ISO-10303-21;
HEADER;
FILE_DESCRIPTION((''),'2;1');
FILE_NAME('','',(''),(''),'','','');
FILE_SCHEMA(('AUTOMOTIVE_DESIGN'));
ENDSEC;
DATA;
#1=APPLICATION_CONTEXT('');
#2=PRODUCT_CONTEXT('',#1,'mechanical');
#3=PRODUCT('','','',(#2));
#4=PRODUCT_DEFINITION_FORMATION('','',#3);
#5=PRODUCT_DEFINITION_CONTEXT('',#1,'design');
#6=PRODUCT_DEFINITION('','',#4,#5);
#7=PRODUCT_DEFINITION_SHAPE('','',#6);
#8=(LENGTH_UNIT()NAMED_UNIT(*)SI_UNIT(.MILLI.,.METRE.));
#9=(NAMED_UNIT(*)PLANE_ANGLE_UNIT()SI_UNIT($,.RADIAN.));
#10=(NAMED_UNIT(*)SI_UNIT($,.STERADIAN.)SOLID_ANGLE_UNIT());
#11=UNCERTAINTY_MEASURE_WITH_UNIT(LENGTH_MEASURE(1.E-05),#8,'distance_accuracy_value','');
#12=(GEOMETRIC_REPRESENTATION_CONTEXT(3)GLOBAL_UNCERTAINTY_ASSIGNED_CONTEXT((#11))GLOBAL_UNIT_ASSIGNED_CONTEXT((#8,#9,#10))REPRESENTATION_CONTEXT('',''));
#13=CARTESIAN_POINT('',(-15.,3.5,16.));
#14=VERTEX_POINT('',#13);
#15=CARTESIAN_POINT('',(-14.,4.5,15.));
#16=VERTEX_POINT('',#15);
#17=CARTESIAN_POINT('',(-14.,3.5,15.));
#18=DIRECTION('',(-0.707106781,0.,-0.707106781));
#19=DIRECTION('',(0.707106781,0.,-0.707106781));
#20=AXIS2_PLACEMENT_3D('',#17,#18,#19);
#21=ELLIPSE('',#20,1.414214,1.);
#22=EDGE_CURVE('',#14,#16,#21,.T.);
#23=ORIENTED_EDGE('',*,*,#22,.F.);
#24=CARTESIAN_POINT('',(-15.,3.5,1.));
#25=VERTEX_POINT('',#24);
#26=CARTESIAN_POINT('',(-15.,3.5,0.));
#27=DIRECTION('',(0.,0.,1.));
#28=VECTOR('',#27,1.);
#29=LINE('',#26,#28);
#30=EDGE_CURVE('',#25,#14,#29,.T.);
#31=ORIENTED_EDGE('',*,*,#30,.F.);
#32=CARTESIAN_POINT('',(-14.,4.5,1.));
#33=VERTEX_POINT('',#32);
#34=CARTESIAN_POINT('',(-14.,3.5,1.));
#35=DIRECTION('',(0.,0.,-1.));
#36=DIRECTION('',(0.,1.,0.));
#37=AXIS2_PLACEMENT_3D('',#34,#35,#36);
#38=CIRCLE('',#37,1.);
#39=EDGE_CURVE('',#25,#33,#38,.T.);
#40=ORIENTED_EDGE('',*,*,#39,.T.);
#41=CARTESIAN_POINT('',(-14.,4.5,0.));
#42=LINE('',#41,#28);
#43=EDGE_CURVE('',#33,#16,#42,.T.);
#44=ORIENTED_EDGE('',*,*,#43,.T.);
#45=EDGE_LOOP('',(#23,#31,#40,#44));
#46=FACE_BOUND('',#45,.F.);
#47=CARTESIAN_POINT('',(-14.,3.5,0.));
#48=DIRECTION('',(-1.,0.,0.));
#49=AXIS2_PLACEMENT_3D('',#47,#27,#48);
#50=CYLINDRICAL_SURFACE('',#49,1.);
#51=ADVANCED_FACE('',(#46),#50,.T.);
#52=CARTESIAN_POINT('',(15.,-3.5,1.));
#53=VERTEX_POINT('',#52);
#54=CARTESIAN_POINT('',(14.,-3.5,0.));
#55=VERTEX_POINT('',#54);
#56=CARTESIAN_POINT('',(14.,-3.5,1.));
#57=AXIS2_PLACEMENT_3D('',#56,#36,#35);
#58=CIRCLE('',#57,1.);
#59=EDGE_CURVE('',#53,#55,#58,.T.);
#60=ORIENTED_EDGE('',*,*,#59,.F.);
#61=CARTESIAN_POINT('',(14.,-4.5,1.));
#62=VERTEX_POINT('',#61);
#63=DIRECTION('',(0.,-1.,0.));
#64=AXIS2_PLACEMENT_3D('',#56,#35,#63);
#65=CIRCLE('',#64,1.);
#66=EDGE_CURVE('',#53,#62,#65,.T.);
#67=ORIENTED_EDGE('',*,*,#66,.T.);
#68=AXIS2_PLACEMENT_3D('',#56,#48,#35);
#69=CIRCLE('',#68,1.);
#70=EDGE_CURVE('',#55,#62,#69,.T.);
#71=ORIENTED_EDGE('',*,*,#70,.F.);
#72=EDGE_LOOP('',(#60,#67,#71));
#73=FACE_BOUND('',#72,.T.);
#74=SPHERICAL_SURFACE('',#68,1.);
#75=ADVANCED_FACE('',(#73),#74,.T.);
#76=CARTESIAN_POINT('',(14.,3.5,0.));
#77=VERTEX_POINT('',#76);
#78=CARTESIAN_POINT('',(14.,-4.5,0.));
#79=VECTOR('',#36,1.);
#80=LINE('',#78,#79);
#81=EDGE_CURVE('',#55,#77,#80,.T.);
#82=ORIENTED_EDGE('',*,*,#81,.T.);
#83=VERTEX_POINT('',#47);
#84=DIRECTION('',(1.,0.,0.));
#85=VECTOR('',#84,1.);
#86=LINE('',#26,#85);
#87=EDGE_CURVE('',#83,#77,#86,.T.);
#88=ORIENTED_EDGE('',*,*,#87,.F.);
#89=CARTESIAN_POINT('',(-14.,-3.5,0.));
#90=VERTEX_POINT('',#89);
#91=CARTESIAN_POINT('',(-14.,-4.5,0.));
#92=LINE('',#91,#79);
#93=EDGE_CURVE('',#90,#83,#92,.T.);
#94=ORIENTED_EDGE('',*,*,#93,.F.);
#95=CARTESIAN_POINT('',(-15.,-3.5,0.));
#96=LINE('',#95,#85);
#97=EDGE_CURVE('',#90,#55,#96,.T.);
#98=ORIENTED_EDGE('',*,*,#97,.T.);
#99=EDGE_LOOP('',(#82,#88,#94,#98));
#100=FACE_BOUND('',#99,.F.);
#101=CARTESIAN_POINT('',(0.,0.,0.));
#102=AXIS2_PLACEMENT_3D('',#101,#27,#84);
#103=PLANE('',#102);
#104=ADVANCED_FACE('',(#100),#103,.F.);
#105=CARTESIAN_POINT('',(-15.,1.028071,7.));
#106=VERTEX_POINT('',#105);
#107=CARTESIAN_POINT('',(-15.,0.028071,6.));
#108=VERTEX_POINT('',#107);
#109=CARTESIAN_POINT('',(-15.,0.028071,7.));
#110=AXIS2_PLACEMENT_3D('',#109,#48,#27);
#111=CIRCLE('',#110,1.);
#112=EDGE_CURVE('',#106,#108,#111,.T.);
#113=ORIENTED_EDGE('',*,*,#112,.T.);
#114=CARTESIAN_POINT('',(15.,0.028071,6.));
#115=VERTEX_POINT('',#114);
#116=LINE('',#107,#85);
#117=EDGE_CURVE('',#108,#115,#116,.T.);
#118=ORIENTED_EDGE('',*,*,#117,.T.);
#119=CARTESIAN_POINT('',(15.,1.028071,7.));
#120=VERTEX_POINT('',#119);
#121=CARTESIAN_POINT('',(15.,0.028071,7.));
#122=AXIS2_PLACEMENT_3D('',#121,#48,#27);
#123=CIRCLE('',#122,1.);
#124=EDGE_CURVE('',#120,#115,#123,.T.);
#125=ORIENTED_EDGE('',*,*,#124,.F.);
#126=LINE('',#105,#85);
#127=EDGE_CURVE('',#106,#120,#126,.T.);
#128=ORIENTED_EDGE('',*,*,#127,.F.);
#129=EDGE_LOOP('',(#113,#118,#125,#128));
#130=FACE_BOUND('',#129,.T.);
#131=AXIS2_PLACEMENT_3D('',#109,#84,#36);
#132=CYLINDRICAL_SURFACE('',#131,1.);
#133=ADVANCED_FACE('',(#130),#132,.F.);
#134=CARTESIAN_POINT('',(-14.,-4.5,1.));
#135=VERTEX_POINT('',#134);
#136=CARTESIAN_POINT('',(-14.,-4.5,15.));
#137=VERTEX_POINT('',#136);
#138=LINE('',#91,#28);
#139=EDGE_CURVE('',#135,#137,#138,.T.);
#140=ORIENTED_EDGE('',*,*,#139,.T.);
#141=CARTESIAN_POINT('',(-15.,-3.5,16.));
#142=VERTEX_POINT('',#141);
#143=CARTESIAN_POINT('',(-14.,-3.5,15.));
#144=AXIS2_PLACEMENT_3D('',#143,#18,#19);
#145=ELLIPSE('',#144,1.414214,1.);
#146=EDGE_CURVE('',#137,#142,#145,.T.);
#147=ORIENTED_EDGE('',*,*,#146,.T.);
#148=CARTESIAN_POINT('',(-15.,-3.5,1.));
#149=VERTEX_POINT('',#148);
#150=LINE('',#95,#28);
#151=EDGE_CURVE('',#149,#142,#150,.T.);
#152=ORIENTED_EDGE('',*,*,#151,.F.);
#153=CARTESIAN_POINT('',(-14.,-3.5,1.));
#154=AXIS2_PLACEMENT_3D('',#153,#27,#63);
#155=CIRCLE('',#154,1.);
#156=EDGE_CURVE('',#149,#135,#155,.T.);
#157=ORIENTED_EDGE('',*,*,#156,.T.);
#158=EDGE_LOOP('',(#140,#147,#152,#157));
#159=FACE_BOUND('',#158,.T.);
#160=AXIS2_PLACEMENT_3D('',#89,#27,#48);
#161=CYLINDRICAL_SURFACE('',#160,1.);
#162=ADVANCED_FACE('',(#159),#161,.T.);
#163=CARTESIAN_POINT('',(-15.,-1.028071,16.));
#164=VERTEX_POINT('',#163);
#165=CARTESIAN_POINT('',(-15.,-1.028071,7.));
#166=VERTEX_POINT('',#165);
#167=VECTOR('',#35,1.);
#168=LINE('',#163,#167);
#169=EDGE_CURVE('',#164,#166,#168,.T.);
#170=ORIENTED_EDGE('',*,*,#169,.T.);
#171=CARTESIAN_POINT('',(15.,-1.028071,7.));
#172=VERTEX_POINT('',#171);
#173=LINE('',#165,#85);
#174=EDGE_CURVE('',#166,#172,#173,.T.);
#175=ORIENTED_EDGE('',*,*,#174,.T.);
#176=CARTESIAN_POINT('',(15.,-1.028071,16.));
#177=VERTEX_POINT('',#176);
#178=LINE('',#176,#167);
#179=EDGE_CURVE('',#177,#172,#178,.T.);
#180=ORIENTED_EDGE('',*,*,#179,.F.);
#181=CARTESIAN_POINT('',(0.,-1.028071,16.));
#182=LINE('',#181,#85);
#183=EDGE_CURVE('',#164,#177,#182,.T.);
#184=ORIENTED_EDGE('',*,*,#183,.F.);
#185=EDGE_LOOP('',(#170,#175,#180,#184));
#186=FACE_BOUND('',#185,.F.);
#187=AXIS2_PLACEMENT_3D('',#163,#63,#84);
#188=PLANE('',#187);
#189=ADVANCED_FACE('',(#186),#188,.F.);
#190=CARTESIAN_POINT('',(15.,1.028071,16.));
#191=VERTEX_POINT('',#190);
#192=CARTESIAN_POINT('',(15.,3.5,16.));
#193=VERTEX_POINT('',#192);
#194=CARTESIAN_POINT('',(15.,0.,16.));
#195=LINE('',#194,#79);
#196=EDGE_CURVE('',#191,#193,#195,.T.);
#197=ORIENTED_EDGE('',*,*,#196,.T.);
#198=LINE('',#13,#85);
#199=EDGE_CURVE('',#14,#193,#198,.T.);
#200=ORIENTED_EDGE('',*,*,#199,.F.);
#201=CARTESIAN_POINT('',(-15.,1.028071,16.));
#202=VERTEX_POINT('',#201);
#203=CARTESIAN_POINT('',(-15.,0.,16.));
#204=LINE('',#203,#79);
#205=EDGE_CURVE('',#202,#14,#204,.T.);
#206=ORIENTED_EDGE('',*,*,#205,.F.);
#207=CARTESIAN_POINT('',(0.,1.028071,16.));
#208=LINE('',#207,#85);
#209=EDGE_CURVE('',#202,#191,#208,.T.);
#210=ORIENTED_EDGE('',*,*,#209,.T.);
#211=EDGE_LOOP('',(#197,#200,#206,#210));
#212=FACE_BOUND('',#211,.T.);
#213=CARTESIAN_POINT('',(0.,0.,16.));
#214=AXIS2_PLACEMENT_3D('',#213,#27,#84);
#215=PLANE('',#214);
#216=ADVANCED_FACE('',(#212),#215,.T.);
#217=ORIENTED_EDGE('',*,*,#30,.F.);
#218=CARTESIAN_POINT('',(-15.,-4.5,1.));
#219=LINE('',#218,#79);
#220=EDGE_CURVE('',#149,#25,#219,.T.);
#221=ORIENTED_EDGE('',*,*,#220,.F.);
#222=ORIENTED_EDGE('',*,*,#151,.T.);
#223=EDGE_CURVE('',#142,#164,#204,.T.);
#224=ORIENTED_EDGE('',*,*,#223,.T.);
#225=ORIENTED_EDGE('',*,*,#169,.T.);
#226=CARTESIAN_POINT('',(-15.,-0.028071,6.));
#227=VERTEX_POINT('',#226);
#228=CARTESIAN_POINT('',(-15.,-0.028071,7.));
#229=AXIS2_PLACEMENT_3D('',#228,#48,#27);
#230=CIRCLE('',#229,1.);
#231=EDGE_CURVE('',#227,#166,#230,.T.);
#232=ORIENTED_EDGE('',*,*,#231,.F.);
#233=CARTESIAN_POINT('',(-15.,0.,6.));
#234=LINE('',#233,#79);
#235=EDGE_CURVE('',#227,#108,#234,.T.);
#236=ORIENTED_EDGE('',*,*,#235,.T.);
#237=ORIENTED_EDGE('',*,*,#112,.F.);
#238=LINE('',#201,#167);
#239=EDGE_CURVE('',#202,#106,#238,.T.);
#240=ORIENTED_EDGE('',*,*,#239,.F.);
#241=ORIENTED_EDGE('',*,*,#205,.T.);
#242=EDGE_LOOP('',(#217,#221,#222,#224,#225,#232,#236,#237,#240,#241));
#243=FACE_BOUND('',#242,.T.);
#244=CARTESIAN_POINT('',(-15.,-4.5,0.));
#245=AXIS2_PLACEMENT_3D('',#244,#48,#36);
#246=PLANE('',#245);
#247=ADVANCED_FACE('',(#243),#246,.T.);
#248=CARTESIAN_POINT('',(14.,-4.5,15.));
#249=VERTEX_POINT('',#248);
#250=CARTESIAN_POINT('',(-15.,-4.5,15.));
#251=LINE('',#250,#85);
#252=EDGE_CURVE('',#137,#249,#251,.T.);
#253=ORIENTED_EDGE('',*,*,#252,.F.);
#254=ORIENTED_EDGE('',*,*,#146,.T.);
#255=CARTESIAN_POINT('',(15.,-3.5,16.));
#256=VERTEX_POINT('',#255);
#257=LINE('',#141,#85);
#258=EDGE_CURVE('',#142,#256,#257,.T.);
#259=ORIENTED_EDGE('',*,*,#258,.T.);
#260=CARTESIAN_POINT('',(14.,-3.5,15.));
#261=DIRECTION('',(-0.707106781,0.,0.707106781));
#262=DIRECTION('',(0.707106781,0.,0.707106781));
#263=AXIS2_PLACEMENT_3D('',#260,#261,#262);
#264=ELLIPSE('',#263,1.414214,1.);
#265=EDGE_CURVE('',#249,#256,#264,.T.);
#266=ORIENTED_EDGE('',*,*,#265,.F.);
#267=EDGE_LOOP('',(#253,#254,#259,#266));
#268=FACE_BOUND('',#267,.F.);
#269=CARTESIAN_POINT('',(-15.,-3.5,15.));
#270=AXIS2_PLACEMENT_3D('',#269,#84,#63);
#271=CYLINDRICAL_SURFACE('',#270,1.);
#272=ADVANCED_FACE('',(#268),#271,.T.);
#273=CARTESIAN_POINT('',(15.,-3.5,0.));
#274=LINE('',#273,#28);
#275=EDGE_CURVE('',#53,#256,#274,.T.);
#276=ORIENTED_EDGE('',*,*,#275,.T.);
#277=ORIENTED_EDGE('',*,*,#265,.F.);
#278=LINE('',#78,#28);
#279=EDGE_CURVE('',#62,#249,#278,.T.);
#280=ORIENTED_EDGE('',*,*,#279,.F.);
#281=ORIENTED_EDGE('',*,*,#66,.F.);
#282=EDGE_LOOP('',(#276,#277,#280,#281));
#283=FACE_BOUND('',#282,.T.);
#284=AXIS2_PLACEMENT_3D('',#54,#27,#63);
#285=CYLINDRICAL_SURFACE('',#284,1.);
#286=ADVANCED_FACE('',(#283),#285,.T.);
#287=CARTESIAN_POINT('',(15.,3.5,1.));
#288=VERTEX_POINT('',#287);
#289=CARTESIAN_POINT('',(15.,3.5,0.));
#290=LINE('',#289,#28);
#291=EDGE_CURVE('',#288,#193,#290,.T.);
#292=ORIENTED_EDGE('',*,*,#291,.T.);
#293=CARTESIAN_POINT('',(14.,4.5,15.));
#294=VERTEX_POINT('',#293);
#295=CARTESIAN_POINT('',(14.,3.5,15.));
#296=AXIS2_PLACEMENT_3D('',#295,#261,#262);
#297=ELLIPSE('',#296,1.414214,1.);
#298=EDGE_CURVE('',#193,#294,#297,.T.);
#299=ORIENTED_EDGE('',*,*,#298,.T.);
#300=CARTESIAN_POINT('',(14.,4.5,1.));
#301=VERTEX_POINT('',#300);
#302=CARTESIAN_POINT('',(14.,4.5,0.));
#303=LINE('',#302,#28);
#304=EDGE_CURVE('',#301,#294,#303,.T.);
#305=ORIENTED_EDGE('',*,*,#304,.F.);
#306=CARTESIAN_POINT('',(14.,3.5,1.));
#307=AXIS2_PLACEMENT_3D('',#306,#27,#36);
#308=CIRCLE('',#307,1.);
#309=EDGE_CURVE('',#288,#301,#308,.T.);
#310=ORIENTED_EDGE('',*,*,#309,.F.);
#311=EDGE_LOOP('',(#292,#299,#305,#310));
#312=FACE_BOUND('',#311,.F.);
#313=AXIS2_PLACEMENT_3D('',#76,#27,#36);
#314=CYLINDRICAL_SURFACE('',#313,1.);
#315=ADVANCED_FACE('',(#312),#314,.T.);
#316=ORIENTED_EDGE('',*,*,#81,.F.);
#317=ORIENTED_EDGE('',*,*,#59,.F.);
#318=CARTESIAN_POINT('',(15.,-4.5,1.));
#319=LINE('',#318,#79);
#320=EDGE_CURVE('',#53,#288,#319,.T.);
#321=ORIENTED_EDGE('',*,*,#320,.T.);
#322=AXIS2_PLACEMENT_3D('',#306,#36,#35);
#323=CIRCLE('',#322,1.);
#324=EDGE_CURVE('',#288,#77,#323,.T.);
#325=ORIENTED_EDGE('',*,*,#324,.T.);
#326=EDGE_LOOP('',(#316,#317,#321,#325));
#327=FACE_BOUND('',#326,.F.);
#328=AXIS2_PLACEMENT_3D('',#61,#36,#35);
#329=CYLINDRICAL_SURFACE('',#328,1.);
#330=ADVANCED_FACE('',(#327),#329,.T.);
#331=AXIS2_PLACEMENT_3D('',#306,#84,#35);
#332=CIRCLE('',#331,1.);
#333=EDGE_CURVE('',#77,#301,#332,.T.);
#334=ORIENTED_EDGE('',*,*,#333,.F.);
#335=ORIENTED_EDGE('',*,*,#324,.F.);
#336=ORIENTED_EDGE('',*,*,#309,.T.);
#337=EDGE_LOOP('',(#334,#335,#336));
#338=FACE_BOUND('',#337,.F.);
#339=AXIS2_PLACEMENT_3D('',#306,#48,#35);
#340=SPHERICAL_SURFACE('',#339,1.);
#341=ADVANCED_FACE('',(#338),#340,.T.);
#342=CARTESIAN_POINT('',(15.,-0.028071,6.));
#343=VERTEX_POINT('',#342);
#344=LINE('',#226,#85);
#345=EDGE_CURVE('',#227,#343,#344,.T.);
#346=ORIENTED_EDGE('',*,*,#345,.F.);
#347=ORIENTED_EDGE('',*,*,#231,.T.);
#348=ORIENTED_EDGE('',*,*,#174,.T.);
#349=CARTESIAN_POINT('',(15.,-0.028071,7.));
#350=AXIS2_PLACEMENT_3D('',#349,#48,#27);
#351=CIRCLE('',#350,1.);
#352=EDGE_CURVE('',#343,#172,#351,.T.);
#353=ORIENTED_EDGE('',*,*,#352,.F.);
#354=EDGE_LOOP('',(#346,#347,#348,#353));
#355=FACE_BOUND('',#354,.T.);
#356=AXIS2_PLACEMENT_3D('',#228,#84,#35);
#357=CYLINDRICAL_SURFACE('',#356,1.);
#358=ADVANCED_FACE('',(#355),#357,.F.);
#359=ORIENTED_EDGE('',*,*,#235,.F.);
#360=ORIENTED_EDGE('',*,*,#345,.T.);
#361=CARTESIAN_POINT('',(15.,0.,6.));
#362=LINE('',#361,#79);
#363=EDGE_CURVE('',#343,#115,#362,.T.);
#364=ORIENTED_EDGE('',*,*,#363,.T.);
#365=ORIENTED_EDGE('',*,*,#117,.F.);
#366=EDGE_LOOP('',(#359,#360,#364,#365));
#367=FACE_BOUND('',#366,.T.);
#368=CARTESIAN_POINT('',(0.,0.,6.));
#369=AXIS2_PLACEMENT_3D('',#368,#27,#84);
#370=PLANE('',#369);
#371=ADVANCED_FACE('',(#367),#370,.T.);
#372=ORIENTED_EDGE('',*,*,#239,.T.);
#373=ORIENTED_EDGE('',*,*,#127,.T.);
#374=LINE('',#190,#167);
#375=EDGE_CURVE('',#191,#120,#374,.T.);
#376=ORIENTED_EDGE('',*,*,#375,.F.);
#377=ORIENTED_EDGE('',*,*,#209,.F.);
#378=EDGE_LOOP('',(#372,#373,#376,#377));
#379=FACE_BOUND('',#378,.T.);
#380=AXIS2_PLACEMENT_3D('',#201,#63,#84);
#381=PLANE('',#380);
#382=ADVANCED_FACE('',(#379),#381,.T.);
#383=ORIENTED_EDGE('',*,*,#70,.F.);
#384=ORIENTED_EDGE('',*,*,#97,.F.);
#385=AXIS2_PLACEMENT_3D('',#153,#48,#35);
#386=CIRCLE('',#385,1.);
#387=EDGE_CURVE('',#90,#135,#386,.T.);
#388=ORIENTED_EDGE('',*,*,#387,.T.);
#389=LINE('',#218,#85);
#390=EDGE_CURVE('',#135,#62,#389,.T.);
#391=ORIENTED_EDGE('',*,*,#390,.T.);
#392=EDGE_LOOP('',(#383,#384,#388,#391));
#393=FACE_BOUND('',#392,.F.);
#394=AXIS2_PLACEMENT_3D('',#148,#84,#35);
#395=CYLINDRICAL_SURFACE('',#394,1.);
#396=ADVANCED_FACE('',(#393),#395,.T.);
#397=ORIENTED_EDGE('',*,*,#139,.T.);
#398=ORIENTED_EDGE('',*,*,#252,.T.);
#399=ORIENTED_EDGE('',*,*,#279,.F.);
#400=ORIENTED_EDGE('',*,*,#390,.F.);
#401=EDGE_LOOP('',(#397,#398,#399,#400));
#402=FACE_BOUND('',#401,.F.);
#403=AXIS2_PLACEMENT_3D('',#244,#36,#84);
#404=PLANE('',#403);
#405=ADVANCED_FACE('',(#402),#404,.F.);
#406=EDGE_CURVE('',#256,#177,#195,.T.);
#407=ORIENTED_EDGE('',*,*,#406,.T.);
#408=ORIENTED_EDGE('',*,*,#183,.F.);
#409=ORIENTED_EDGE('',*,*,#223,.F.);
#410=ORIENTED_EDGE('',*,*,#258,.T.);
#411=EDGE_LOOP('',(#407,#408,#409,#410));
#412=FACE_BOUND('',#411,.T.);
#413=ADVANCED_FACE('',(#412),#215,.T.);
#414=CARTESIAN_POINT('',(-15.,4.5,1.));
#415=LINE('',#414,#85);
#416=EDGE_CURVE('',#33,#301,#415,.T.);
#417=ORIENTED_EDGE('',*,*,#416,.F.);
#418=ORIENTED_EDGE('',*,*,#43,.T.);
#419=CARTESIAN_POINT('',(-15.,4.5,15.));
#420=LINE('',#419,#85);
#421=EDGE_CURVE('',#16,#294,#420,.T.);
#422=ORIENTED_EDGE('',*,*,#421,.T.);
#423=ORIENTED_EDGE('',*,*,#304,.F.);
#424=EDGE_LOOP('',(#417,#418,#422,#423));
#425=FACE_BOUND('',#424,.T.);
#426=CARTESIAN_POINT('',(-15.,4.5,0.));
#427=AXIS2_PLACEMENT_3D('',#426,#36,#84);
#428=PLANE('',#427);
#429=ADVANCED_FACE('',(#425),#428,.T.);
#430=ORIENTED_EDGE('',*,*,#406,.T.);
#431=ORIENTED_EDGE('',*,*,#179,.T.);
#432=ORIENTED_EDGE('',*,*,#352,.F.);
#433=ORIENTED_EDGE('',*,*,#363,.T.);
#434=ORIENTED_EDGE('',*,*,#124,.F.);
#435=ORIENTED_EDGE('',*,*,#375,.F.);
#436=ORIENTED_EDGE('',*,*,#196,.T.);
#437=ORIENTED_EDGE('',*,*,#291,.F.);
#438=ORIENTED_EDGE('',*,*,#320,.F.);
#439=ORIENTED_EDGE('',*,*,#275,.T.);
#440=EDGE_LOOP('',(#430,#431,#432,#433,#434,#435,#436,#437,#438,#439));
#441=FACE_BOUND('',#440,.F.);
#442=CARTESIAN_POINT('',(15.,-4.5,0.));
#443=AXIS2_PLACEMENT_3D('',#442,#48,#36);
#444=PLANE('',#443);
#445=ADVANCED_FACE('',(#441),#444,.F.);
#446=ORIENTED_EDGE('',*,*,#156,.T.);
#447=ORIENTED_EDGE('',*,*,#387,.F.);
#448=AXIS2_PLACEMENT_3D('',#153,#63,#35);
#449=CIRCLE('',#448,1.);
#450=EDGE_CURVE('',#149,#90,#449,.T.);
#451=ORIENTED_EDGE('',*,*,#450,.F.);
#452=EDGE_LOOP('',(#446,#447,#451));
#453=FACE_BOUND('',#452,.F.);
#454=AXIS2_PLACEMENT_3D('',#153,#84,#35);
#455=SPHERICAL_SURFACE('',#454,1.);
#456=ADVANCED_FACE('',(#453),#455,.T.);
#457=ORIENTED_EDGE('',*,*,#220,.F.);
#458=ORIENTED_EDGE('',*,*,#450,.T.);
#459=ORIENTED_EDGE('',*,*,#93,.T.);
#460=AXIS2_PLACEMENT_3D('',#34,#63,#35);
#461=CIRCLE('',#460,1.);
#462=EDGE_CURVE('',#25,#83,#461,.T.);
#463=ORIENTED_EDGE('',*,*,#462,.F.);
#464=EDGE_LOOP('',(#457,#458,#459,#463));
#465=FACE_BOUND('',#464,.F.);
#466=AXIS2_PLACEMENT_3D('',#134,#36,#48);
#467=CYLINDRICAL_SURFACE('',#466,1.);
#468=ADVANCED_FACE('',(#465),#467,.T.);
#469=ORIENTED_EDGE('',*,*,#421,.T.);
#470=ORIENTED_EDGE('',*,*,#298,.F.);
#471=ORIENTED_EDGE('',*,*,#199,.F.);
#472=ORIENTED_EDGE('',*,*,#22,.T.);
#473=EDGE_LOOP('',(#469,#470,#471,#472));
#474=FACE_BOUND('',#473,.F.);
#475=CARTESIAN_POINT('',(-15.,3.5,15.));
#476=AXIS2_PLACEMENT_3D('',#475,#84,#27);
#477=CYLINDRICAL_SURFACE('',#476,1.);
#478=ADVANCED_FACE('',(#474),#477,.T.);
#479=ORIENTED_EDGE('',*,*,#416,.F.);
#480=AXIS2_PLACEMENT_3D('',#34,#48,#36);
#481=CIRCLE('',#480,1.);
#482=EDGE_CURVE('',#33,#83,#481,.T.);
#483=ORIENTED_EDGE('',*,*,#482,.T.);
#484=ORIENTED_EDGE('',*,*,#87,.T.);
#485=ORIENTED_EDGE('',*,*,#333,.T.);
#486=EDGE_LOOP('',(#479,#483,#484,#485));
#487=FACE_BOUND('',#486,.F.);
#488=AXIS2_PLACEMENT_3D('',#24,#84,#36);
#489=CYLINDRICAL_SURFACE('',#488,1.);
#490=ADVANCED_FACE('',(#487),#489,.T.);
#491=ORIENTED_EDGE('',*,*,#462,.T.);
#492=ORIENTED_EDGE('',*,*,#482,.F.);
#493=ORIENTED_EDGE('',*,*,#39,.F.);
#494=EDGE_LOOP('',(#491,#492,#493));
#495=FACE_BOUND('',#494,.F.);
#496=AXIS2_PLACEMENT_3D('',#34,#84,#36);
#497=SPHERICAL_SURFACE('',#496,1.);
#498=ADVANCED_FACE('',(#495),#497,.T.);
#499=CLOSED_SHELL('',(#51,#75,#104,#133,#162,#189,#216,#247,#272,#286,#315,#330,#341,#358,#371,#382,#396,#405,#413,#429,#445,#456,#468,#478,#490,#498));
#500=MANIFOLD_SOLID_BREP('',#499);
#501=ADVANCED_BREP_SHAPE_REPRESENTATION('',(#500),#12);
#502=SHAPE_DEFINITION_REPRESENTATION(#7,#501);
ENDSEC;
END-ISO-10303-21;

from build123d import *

# Parameters (mm, degrees)
F0_W     = 30
F0_H     = 9
F1_DEPTH = 16
F2_W     = 30
F2_H     = 2.056142
F3_DEPTH = 10
F4_R     = 1
F5_R     = 1


with BuildPart() as f1:
    # F0 (on Top) → F1 (new body)
    with BuildSketch(Plane.XY):
        Rectangle(F0_W, F0_H)
    extrude(amount=F1_DEPTH)

    # F2 (on face) → F3 (cut)
    with BuildSketch(Plane.XY.offset(16)):
        Rectangle(F2_W, F2_H)
    extrude(amount=-F3_DEPTH, mode=Mode.SUBTRACT)

    # F4
    f4_edges = [f1.edges().sort_by_distance(p)[0] for p in [
        (0, -1.028071, 6),
        (0, 1.028071, 6),
    ]]
    fillet(f4_edges, radius=F4_R)

    # F5
    f5_edges = [f1.edges().sort_by_distance(p)[0] for p in [
        (0, 4.5, 16),
        (0, -4.5, 16),
        (0, 4.5, 0),
        (0, -4.5, 0),
        (15, 0, 0),
        (15, -4.5, 8),
        (15, 4.5, 8),
        (-15, 4.5, 8),
        (-15, 0, 0),
        (-15, -4.5, 8),
    ]]
    fillet(f5_edges, radius=F5_R)


solid = f1.part
